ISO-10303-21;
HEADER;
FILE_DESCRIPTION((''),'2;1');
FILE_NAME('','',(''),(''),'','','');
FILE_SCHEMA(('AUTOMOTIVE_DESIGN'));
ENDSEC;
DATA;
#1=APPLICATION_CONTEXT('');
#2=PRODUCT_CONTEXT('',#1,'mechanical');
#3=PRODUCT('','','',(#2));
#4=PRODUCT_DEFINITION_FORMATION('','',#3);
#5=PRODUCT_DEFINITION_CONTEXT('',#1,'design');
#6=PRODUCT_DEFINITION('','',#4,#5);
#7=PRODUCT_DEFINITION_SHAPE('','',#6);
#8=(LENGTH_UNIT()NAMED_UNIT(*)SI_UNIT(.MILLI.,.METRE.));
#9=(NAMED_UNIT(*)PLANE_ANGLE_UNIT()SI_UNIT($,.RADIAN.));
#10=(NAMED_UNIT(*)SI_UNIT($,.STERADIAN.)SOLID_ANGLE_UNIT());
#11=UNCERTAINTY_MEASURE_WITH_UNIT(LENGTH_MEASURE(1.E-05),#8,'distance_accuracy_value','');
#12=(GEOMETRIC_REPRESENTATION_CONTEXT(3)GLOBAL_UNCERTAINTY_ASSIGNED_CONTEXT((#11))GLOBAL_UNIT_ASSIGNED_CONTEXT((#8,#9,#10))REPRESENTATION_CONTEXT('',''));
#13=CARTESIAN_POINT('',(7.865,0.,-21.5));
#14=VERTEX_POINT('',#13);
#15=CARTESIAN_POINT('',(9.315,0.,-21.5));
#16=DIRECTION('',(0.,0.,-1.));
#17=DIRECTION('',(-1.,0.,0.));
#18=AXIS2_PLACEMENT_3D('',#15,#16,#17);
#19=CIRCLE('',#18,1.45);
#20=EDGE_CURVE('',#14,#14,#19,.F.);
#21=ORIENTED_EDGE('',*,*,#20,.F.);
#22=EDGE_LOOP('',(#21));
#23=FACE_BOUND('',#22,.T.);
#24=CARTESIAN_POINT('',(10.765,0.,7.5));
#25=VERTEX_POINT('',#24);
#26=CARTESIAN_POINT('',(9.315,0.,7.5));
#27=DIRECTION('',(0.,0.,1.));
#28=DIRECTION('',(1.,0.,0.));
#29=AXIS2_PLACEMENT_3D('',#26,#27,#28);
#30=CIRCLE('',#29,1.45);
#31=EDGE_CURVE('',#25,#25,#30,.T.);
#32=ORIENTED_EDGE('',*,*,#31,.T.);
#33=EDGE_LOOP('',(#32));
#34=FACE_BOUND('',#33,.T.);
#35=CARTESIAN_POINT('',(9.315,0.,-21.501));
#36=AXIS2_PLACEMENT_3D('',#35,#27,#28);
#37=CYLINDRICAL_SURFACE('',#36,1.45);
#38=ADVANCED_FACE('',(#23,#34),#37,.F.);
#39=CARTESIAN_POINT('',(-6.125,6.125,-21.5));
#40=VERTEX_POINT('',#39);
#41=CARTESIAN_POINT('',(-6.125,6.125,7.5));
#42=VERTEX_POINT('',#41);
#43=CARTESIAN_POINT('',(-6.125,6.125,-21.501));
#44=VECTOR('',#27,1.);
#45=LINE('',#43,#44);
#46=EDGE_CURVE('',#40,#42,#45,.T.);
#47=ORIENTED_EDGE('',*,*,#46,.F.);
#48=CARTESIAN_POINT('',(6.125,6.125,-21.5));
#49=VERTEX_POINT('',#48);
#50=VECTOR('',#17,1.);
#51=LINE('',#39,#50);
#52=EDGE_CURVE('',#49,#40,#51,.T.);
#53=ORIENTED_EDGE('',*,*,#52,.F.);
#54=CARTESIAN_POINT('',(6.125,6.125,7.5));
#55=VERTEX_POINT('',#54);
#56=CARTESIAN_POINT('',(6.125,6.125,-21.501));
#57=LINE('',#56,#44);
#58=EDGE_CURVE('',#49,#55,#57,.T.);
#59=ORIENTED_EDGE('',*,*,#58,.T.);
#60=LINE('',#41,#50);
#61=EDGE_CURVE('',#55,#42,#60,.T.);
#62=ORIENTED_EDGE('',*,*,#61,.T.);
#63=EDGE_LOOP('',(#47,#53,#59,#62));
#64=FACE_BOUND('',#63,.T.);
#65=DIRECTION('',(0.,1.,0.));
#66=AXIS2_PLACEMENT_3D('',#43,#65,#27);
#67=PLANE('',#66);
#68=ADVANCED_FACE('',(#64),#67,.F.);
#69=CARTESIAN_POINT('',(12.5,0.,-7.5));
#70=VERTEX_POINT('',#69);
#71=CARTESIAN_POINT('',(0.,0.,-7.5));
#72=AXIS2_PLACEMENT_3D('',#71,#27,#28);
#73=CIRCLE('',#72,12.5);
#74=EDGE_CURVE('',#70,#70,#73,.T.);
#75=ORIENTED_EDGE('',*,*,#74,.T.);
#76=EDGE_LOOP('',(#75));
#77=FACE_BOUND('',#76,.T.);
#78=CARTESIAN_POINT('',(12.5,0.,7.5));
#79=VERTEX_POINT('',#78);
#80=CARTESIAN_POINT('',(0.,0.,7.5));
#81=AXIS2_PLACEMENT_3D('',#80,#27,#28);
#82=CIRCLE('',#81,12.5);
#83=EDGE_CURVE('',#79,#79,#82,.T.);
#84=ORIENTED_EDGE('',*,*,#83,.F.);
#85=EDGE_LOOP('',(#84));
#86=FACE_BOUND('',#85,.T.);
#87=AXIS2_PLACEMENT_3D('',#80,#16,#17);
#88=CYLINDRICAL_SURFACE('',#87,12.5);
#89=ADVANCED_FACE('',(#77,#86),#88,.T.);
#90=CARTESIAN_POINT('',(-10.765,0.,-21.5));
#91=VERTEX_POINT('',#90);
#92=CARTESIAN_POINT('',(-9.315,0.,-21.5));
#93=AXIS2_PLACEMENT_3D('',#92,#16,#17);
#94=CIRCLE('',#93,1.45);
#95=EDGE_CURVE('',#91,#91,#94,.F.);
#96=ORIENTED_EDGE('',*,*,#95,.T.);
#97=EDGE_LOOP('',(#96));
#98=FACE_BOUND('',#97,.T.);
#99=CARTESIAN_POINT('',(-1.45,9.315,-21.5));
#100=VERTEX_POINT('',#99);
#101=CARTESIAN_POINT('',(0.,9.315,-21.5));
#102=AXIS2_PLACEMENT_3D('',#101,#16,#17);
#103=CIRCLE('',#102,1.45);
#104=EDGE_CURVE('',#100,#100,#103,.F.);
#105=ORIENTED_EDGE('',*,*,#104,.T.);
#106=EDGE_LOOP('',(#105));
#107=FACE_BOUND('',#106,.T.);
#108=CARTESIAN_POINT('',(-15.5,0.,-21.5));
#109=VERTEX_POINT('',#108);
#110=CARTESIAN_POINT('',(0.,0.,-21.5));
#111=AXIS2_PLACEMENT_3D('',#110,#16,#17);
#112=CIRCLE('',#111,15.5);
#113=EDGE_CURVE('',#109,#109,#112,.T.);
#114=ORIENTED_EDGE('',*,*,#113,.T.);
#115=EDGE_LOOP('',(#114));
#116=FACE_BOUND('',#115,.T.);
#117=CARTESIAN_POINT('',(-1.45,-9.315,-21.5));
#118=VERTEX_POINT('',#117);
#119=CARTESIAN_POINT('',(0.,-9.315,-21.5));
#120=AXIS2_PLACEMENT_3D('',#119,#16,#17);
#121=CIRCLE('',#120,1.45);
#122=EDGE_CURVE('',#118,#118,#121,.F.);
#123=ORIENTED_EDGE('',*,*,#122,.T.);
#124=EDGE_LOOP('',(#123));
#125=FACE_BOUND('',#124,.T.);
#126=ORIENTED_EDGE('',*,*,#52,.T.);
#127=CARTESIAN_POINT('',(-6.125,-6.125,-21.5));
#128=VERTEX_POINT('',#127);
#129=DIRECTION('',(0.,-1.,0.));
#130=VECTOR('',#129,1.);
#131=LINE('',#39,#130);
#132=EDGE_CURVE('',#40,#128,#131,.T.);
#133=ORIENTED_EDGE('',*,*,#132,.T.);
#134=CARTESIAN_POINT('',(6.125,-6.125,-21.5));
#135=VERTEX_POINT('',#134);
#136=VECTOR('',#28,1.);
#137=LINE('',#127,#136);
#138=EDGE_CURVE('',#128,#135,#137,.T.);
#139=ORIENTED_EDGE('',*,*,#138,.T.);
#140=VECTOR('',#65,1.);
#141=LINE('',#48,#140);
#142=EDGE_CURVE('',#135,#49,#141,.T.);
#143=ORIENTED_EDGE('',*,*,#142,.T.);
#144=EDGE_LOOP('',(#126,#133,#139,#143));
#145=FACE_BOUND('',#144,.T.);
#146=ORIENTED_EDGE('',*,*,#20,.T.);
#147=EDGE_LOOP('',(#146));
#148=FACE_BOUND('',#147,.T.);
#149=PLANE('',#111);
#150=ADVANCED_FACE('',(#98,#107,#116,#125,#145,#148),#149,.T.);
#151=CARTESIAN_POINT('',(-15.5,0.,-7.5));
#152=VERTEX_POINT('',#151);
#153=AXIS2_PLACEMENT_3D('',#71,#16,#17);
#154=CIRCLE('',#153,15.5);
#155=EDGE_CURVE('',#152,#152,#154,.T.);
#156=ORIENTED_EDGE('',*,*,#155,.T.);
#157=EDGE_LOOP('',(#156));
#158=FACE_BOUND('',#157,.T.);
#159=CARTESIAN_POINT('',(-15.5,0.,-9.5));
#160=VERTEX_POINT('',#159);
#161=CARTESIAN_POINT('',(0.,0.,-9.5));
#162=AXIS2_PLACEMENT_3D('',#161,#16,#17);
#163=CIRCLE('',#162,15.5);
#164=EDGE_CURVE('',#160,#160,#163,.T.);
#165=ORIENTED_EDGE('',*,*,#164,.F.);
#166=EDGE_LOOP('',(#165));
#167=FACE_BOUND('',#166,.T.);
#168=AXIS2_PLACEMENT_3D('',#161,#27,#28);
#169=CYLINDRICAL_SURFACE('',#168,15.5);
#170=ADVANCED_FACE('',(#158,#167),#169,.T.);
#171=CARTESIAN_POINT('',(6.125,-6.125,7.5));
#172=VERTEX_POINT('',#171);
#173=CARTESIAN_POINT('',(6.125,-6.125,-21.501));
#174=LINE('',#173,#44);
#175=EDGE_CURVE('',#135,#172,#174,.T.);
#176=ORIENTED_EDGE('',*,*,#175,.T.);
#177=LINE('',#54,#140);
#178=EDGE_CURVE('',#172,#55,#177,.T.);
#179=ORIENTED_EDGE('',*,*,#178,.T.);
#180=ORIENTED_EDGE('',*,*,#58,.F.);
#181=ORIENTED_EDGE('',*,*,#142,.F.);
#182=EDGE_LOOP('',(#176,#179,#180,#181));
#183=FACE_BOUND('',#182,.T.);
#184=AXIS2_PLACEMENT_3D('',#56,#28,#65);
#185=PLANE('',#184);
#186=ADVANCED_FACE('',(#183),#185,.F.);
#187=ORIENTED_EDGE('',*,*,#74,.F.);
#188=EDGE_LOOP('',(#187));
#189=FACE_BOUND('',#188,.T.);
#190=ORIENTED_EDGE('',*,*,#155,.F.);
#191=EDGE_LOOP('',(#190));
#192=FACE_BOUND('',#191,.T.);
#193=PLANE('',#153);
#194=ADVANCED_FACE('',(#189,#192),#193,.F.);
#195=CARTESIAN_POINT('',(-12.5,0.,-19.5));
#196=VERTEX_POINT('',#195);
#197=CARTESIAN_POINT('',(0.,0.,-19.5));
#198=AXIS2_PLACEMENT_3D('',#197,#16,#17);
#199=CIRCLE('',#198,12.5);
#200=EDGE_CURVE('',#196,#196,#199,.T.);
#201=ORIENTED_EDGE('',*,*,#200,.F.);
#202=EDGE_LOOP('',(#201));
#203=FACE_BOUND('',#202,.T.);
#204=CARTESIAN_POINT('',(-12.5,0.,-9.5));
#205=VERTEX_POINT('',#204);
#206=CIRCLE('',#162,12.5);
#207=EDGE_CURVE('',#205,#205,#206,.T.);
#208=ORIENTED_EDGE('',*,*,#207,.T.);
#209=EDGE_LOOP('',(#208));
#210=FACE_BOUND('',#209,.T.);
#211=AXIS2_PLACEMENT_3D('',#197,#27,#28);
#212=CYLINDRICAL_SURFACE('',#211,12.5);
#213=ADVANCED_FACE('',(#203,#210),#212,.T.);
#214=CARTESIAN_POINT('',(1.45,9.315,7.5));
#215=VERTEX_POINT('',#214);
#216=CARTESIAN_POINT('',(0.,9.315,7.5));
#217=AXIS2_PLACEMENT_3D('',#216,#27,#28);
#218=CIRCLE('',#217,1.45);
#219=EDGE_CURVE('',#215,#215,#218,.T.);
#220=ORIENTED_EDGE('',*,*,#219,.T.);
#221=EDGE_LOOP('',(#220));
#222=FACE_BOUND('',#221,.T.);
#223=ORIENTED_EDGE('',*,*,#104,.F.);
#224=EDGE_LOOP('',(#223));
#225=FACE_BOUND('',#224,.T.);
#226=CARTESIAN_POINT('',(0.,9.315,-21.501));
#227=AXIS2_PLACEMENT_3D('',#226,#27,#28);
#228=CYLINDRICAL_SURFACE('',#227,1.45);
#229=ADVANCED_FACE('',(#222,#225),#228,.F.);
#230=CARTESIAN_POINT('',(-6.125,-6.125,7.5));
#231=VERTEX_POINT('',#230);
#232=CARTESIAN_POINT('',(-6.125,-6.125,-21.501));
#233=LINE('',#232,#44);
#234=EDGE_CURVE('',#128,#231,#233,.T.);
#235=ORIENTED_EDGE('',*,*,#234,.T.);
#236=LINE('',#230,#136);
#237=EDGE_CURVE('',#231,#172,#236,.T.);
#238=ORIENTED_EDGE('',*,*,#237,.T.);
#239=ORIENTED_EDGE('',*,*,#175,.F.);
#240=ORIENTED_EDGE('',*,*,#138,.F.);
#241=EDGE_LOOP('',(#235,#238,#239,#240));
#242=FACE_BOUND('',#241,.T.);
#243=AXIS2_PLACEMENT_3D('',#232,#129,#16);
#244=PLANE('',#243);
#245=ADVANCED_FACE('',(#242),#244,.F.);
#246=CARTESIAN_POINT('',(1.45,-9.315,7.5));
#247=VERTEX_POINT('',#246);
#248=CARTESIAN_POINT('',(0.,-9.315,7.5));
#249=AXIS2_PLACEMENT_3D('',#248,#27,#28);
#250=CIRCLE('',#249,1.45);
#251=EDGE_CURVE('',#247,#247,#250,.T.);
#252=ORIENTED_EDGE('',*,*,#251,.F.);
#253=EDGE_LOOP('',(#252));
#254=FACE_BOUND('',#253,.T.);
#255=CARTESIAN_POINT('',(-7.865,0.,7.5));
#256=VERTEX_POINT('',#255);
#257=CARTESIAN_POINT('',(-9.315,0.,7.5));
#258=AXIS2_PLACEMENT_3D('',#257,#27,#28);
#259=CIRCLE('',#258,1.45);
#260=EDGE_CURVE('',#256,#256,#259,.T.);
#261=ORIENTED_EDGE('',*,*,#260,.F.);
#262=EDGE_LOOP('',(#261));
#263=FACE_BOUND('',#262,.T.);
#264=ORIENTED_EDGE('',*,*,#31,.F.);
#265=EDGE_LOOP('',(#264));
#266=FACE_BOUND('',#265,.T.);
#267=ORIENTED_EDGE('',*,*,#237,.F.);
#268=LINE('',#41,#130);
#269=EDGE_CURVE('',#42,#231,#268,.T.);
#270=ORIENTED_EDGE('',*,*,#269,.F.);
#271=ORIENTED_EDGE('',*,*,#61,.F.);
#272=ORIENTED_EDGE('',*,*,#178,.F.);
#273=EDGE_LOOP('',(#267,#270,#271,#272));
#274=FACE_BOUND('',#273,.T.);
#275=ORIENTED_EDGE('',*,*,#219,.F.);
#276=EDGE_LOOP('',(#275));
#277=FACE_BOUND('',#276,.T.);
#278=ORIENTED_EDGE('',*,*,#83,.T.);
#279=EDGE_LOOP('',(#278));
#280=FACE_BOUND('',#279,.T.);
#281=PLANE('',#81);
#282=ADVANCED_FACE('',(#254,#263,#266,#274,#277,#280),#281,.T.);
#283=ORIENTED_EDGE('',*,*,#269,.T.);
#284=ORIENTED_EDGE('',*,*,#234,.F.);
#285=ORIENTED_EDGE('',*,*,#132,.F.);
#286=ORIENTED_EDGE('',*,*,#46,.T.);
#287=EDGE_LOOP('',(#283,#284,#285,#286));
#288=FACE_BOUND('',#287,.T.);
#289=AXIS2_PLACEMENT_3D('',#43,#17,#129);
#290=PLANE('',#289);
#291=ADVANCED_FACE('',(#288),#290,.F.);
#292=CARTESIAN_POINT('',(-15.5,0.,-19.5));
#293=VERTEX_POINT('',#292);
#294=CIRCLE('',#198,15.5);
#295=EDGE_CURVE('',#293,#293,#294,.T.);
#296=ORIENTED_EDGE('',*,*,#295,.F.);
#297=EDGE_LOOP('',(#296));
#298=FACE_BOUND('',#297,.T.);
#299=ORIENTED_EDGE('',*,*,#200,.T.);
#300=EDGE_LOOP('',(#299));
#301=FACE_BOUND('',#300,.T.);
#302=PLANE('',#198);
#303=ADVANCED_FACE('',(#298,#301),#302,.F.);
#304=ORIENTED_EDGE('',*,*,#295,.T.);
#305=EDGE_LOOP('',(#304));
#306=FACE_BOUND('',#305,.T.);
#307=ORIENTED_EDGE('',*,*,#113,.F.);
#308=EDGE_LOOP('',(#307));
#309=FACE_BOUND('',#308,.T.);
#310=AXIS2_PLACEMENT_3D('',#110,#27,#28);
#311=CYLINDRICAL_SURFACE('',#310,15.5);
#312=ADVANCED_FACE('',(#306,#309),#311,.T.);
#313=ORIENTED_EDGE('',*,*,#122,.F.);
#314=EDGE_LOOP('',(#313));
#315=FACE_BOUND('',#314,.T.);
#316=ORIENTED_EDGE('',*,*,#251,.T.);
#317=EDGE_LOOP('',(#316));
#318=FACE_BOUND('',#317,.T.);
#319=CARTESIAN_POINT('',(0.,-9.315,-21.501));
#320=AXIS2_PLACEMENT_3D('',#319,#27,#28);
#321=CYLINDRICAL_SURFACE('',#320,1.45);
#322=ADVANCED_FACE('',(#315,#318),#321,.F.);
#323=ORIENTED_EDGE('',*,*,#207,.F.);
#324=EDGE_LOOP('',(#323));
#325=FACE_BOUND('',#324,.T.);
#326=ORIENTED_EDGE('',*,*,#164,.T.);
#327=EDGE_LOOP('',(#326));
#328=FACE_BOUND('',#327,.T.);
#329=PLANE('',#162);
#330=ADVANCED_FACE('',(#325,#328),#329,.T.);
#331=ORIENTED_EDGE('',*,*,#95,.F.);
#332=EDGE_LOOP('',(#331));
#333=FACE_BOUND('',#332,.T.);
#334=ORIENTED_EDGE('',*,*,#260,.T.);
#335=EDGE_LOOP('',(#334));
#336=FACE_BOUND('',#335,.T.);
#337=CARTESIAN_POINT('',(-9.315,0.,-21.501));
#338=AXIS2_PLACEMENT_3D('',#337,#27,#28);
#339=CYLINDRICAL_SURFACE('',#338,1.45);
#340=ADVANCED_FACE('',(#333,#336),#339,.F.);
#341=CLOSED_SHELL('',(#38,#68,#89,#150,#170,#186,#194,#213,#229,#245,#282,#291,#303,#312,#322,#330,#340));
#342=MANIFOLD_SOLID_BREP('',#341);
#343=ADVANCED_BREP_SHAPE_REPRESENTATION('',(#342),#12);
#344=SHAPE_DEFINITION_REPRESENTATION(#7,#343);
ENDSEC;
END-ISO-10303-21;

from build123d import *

# Parameters (mm, degrees)
SKETCH1_R           = 12.5
BOSS_EXTRUDE1_DEPTH = 7.5
SKETCH13_R          = 15.5
BOSS_EXTRUDE2_DEPTH = 2
SKETCH14_R          = 12.5
BOSS_EXTRUDE3_DEPTH = 10
SKETCH15_R          = 15.5
BOSS_EXTRUDE4_DEPTH = 2
CUT_EXTRUDE1_REACH  = 38.352
SKETCH8_W           = 12.25
SKETCH8_H           = 12.25
CUT_EXTRUDE4_REACH  = 38.352
SKETCH11_R          = 1.45


with BuildPart() as part:
    # Sketch1 → Boss-Extrude1 (new, symmetric)
    with BuildSketch(Plane.XY):
        Circle(SKETCH1_R)
    extrude(amount=BOSS_EXTRUDE1_DEPTH, both=True)

    # Sketch13 → Boss-Extrude2 (add)
    with BuildSketch(Plane(origin=(0, 0, -7.5), x_dir=(-1, 0, 0), z_dir=(0, 0, -1))):
        Circle(SKETCH13_R)
    extrude(amount=BOSS_EXTRUDE2_DEPTH)

    # Sketch14 → Boss-Extrude3 (add)
    with BuildSketch(Plane(origin=(0, 0, -9.5), x_dir=(-1, 0, 0), z_dir=(0, 0, -1))):
        with Locations(Location((0, 0, 0), (0, 0, 180))):
            Circle(SKETCH14_R)
    extrude(amount=BOSS_EXTRUDE3_DEPTH)

    # Sketch15 → Boss-Extrude4 (add)
    with BuildSketch(Plane(origin=(0, 0, -19.5), x_dir=(-1, 0, 0), z_dir=(0, 0, -1))):
        Circle(SKETCH15_R)
    extrude(amount=BOSS_EXTRUDE4_DEPTH)

    # Sketch8 → Cut-Extrude1 (cut, up to next)
    with BuildSketch(Plane.XY.offset(7.5), mode=Mode.PRIVATE) as cut_extrude1_sk1:
        Rectangle(SKETCH8_W, SKETCH8_H)
    cut_extrude1_tool1 = extrude(cut_extrude1_sk1.sketch, amount=-CUT_EXTRUDE1_REACH, mode=Mode.PRIVATE) & part.part
    add(cut_extrude1_tool1.solids().sort_by_distance((0, 0, 7.5))[0], mode=Mode.SUBTRACT)

    # Sketch11 → Cut-Extrude4 (cut, up to next)
    with BuildSketch(Plane.XY.offset(7.5), mode=Mode.PRIVATE) as cut_extrude4_sk1:
        with Locations((9.315, 0)):
            Circle(SKETCH11_R)
    cut_extrude4_tool1 = extrude(cut_extrude4_sk1.sketch, amount=-CUT_EXTRUDE4_REACH, mode=Mode.PRIVATE) & part.part
    # Sketch11 → Cut-Extrude4 (cut, up to next)
    with BuildSketch(Plane.XY.offset(7.5), mode=Mode.PRIVATE) as cut_extrude4_sk2:
        with Locations((0, -9.315)):
            Circle(SKETCH11_R)
    cut_extrude4_tool2 = extrude(cut_extrude4_sk2.sketch, amount=-CUT_EXTRUDE4_REACH, mode=Mode.PRIVATE) & part.part
    # Sketch11 → Cut-Extrude4 (cut, up to next)
    with BuildSketch(Plane.XY.offset(7.5), mode=Mode.PRIVATE) as cut_extrude4_sk3:
        with Locations((-9.315, 0)):
            Circle(SKETCH11_R)
    cut_extrude4_tool3 = extrude(cut_extrude4_sk3.sketch, amount=-CUT_EXTRUDE4_REACH, mode=Mode.PRIVATE) & part.part
    # Sketch11 → Cut-Extrude4 (cut, up to next)
    with BuildSketch(Plane.XY.offset(7.5), mode=Mode.PRIVATE) as cut_extrude4_sk4:
        with Locations((0, 9.315)):
            Circle(SKETCH11_R)
    cut_extrude4_tool4 = extrude(cut_extrude4_sk4.sketch, amount=-CUT_EXTRUDE4_REACH, mode=Mode.PRIVATE) & part.part
    add(cut_extrude4_tool1.solids().sort_by_distance((9.315, 0, 7.5))[0], mode=Mode.SUBTRACT)
    add(cut_extrude4_tool2.solids().sort_by_distance((0, -9.315, 7.5))[0], mode=Mode.SUBTRACT)
    add(cut_extrude4_tool3.solids().sort_by_distance((-9.315, 0, 7.5))[0], mode=Mode.SUBTRACT)
    add(cut_extrude4_tool4.solids().sort_by_distance((0, 9.315, 7.5))[0], mode=Mode.SUBTRACT)


solid = part.part
